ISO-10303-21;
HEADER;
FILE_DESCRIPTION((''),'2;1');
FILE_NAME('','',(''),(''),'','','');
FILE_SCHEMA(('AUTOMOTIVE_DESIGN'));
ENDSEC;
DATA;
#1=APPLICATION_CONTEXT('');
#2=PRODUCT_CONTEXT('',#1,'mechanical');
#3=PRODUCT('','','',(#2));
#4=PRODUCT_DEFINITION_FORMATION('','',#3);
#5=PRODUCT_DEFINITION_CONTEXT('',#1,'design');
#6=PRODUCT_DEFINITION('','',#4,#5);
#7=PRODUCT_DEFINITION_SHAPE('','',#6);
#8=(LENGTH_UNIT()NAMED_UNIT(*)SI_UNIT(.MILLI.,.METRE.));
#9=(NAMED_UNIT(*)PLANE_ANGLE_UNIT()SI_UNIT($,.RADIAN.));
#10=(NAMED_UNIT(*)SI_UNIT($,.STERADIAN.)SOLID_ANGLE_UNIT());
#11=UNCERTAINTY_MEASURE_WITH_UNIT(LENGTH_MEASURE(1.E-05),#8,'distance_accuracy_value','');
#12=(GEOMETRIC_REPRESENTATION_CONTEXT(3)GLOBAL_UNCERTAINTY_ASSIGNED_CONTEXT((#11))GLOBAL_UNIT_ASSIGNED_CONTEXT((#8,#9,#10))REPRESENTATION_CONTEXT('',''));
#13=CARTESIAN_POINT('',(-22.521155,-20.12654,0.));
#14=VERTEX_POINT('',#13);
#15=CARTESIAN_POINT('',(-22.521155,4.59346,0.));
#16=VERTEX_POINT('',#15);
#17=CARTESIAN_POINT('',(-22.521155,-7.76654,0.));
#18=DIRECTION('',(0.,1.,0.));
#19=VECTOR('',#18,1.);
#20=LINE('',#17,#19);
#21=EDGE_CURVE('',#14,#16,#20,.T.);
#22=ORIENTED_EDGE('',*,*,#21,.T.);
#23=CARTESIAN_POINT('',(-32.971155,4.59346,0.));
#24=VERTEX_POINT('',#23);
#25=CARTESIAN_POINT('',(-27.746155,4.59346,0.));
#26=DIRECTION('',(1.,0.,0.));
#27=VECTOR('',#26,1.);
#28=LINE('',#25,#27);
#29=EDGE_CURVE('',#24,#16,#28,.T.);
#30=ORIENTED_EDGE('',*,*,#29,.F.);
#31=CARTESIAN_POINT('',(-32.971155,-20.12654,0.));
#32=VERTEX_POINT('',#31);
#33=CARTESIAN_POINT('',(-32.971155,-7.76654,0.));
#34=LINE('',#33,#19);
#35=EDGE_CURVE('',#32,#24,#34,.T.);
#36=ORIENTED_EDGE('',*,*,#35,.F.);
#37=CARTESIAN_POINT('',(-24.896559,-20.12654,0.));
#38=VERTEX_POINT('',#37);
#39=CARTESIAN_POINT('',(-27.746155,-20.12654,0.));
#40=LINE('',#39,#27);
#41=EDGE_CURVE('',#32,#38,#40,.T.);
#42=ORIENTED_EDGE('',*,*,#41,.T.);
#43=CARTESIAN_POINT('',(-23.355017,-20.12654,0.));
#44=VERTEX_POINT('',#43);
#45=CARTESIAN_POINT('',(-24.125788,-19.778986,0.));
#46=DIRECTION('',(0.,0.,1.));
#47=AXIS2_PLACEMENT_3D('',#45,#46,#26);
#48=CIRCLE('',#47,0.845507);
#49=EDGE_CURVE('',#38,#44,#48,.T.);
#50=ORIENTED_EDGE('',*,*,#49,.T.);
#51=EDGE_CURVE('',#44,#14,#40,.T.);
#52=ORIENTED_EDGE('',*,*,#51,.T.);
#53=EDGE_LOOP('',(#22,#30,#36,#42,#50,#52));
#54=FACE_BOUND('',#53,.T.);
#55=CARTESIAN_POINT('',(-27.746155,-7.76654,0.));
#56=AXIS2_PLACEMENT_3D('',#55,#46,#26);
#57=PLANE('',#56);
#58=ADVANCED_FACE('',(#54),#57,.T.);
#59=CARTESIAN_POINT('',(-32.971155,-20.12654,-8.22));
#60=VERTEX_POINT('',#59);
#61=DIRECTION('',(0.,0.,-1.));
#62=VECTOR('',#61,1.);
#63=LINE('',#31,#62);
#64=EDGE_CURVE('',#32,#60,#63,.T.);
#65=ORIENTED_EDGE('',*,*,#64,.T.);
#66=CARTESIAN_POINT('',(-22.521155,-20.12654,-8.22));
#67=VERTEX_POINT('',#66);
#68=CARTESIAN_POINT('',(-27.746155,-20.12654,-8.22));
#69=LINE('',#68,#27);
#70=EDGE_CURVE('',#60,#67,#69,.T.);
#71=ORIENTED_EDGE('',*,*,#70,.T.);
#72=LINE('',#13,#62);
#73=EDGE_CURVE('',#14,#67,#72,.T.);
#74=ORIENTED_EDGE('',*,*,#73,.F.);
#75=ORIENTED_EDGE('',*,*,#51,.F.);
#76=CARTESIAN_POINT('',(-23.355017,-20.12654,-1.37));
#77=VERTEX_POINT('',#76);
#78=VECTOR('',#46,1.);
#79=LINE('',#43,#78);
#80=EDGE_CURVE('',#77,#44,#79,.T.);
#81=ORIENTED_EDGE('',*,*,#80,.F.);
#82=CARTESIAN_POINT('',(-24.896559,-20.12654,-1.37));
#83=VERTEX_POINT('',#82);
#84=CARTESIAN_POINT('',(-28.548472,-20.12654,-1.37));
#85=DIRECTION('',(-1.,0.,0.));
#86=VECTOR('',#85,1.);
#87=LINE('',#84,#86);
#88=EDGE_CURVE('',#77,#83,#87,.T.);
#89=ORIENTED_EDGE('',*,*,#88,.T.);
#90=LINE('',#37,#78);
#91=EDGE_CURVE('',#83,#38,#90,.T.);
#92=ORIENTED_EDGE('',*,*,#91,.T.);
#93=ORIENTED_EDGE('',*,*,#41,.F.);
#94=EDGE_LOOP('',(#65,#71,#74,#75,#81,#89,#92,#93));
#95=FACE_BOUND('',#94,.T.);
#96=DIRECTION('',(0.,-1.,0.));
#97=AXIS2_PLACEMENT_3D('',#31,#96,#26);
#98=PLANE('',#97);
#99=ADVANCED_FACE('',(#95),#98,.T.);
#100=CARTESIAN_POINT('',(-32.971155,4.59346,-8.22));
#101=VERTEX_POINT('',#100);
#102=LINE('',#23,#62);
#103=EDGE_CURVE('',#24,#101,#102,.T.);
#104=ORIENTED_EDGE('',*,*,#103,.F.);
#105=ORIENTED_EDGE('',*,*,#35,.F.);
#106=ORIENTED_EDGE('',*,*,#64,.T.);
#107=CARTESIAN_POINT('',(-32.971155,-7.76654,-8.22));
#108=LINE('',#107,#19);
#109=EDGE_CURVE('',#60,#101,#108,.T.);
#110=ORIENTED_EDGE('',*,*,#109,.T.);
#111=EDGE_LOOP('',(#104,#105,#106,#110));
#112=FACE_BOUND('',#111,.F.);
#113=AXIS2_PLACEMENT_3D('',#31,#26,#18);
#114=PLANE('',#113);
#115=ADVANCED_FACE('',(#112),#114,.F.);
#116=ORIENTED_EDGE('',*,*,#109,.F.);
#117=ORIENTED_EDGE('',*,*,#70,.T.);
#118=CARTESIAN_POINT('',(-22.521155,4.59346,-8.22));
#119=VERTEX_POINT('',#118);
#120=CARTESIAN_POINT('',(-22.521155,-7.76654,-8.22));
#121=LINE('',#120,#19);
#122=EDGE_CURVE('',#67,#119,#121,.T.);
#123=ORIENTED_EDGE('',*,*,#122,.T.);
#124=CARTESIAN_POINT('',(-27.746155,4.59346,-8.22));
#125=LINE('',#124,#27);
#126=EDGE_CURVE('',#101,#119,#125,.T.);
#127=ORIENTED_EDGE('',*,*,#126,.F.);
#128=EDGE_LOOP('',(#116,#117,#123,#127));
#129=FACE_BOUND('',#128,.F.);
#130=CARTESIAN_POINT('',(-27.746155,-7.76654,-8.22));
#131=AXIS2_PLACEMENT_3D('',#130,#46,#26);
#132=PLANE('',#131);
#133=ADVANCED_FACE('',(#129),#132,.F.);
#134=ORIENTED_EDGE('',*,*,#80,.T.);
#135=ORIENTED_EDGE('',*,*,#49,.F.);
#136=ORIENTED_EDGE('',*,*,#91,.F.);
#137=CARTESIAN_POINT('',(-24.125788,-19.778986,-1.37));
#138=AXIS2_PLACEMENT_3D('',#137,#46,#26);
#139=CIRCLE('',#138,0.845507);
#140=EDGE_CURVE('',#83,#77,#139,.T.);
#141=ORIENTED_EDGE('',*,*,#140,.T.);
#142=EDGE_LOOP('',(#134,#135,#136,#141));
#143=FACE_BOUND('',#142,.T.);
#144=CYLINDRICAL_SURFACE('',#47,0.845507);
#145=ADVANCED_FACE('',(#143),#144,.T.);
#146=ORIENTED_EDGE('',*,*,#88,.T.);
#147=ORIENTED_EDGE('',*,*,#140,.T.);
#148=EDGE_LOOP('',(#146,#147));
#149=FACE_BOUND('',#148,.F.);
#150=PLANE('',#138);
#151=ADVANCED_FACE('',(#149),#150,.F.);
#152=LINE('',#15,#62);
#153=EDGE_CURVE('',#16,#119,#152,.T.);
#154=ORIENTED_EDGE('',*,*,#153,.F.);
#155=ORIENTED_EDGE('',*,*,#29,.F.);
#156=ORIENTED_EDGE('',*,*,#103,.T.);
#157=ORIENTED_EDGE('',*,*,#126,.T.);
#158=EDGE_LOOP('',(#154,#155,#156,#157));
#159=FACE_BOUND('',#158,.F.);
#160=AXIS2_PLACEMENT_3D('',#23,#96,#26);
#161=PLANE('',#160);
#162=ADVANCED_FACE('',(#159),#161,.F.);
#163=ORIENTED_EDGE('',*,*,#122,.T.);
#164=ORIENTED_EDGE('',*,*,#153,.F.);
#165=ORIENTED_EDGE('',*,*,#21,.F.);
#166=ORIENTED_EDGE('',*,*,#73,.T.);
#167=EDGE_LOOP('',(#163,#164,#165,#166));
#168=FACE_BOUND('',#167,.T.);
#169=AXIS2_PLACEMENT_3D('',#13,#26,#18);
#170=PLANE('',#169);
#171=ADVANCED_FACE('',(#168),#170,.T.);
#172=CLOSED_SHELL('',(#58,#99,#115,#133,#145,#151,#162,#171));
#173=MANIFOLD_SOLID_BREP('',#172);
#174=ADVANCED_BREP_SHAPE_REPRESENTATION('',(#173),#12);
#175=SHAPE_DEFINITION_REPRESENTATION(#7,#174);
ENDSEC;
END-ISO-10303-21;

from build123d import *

# Parameters (mm, degrees)
F0_W     = 10.45
F0_H     = 24.72
F1_DEPTH = 8.22
F2_R     = 0.845507
F3_DEPTH = 1.37


with BuildPart() as f1:
    # F0 (on Top) → F1 (new body)
    with BuildSketch(Plane.XY):
        with Locations((-27.746155, -7.76654)):
            Rectangle(F0_W, F0_H)
    extrude(amount=-F1_DEPTH)

    # F2 (on Top) → F3 (join)
    with BuildSketch(Plane.XY):
        with Locations((-24.125788, -19.778986)):
            Circle(F2_R)
    extrude(amount=-F3_DEPTH)


solid = f1.part
